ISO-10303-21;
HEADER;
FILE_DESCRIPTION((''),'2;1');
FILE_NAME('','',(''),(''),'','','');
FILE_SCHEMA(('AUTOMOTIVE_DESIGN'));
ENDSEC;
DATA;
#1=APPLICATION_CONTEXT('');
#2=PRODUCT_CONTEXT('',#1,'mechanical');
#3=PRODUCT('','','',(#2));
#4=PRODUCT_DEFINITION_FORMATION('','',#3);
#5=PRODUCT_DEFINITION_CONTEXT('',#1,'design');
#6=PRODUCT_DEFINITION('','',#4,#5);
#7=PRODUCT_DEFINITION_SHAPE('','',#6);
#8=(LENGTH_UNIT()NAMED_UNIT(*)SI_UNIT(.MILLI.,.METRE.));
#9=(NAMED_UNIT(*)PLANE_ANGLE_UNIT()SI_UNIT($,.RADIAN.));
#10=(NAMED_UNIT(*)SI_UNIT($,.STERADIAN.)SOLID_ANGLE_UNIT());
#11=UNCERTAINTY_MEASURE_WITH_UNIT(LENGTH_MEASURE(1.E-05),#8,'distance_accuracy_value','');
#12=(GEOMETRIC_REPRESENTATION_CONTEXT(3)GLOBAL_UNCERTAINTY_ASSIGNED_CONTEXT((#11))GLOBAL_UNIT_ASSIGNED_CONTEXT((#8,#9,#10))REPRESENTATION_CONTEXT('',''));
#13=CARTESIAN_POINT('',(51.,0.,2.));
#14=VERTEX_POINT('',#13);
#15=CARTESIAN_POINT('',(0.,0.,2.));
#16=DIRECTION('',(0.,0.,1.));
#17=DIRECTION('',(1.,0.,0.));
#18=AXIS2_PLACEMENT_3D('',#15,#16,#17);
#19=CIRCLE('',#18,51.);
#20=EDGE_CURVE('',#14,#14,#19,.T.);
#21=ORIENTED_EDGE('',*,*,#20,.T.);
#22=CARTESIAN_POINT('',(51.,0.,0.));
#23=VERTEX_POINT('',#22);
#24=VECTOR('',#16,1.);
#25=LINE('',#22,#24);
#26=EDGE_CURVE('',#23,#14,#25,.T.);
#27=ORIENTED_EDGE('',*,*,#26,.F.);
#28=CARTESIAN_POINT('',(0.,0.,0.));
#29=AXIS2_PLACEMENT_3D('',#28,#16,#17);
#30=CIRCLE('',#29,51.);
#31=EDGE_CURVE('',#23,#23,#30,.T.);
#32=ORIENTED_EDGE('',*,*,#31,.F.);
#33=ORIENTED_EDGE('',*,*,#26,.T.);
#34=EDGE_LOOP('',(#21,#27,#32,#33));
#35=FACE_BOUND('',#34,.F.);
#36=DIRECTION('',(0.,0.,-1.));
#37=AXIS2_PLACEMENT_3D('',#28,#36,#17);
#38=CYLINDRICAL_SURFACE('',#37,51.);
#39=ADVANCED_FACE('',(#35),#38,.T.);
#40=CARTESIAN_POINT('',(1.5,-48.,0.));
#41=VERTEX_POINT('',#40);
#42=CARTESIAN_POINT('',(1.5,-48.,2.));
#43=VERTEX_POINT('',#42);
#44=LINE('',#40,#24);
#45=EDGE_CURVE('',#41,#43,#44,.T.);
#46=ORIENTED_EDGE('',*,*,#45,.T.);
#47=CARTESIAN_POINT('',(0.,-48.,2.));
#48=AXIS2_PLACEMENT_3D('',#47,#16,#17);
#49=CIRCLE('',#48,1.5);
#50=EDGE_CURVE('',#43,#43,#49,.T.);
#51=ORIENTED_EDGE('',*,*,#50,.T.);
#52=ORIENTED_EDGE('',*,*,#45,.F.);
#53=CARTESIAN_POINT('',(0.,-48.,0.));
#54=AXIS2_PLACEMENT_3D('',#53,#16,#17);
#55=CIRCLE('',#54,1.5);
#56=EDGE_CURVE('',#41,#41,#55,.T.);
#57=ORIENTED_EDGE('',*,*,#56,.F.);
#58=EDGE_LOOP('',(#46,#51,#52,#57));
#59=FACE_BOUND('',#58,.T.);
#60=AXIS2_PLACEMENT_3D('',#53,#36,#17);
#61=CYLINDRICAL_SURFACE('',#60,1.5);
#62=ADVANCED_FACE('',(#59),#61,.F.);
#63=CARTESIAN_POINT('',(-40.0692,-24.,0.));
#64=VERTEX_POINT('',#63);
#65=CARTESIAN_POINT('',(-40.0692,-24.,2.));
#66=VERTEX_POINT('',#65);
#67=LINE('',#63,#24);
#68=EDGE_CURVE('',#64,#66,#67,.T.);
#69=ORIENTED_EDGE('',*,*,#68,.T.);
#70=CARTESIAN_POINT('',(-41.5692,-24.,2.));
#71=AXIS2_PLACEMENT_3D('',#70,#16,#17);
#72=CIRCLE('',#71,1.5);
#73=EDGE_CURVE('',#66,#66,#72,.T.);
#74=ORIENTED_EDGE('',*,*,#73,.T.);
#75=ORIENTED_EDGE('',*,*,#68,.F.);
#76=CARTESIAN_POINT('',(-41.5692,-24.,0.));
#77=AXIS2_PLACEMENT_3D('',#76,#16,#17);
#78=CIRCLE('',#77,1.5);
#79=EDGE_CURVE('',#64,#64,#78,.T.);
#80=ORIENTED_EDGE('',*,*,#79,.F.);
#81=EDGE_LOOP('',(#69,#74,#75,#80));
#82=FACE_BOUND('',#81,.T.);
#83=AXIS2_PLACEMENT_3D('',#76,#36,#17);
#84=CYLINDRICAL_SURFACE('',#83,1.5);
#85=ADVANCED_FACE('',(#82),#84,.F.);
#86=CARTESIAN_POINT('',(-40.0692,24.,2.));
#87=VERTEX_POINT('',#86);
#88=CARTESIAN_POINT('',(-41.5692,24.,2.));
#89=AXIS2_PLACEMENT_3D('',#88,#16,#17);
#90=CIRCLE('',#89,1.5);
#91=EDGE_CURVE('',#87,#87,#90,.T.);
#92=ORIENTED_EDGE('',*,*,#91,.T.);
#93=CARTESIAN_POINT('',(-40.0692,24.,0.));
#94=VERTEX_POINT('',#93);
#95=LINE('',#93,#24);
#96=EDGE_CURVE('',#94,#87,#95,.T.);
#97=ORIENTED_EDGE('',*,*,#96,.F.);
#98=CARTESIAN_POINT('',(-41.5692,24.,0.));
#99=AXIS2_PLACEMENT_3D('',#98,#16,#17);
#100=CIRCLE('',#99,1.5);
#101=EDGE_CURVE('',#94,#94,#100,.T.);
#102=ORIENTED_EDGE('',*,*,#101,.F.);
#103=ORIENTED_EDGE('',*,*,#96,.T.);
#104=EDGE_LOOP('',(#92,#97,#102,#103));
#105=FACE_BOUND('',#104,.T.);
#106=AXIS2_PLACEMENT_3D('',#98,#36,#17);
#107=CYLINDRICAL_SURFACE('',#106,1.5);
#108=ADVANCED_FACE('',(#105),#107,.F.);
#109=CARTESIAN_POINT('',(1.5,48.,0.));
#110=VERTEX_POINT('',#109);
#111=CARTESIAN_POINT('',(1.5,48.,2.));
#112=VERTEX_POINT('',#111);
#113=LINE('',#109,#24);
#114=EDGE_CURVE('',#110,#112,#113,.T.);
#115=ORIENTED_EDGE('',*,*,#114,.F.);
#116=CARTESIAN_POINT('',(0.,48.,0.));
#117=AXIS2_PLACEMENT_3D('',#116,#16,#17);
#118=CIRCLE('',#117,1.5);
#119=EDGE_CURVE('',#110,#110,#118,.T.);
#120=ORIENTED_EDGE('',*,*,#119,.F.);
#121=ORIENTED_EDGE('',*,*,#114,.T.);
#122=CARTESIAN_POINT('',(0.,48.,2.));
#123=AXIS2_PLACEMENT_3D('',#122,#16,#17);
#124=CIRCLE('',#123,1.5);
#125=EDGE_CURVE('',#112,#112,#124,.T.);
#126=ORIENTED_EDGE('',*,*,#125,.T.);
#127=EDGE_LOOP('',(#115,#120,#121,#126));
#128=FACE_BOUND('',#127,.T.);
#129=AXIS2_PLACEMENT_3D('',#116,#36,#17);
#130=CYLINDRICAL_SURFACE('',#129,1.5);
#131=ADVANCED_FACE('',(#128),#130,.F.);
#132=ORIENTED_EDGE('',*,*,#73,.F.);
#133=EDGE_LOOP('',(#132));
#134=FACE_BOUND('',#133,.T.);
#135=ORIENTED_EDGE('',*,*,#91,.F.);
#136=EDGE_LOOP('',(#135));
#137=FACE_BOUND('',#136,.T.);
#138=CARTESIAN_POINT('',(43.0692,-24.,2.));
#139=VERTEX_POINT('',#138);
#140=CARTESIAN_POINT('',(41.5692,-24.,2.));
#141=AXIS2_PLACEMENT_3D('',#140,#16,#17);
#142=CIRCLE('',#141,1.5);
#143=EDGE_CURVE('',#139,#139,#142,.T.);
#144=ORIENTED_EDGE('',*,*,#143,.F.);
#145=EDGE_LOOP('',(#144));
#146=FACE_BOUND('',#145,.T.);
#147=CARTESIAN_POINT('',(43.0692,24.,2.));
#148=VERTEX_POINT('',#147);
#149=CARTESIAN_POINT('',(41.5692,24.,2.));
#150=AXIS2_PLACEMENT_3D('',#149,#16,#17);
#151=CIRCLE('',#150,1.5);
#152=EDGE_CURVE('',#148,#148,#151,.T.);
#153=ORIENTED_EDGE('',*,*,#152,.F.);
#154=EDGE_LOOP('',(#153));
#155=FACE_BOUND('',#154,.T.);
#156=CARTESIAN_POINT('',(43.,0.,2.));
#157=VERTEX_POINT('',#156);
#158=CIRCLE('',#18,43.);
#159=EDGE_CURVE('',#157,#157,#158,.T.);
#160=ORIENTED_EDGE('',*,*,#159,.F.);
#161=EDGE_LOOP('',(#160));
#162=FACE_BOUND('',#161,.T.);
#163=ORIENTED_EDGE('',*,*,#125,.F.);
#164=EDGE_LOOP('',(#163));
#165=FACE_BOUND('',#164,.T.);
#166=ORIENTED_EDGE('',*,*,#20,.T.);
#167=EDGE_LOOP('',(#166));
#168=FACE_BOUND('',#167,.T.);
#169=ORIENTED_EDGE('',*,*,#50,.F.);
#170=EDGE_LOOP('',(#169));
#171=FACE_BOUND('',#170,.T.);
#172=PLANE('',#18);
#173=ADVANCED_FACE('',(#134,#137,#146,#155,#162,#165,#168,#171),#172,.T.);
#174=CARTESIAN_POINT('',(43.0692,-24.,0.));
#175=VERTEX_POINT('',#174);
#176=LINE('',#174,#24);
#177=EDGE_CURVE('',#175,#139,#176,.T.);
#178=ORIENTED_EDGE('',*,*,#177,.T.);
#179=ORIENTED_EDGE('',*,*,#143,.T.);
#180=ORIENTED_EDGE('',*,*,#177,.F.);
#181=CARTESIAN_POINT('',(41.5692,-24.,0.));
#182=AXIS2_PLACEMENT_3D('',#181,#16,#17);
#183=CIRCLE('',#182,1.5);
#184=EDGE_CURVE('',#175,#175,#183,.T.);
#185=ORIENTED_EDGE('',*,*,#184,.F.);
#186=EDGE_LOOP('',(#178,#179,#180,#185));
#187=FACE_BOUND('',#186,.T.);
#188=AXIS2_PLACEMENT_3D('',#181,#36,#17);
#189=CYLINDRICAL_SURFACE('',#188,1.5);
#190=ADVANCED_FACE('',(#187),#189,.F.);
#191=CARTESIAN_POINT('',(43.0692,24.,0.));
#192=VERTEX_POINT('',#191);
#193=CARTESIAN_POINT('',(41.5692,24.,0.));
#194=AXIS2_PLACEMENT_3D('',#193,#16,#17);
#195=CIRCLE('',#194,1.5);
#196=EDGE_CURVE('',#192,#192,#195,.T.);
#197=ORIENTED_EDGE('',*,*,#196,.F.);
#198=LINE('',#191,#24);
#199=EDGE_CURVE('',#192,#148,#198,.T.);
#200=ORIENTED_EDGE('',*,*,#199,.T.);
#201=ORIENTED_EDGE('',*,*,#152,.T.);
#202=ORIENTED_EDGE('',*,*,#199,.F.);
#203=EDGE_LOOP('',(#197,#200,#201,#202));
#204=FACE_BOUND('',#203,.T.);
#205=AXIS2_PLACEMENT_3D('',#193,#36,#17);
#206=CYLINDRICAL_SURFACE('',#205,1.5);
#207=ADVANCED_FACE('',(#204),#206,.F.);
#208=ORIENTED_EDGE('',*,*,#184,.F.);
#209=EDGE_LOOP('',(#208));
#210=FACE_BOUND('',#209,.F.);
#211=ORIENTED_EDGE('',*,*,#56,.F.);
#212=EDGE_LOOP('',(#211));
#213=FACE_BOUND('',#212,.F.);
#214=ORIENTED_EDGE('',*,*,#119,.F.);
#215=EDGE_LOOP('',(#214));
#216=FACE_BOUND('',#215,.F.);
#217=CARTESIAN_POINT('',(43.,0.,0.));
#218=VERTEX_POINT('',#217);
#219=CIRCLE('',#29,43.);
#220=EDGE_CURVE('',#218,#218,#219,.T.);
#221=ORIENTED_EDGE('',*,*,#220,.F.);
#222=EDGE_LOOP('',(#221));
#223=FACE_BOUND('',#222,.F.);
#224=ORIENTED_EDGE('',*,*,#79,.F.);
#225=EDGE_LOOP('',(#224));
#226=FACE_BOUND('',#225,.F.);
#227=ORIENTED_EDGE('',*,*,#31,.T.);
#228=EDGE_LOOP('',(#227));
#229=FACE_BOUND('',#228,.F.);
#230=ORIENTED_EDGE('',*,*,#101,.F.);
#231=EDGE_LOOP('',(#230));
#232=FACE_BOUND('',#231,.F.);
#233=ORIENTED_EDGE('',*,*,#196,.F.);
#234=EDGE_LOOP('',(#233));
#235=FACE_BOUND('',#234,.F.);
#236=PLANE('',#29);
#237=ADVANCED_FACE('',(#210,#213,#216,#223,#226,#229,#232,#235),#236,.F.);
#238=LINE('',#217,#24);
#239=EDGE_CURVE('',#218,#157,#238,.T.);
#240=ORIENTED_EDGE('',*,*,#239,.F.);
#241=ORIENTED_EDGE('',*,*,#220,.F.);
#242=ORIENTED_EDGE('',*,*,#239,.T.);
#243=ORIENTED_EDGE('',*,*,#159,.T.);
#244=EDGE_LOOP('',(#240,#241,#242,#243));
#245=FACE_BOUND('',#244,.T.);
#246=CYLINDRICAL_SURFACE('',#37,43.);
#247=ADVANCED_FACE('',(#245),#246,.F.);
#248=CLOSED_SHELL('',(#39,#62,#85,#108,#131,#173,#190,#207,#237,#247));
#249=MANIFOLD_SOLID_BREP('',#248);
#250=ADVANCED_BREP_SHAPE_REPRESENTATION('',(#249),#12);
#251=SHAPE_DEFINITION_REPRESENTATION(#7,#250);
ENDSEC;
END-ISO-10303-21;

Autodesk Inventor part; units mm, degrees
ref_plane "YZ Plane" through (0, 0, 0) normal (1, 0, 0) x (0, 1, 0)
ref_plane "XZ Plane" through (0, 0, 0) normal (0, 1, 0) x (-1, 0, 0)
ref_plane "XY Plane" through (0, 0, 0) normal (0, 0, 1) x (1, 0, 0)
sketch "Skizze1" plane through (0, 0, 0) normal (0, 0, 1) x (1, 0, 0)
  circle A0 centre (0, 0) radius 43
  circle A1 centre (0, 0) radius 51
  circle A2 centre (0, 48) radius 1.5
  circle A3 centre (-41.5692, 24) radius 1.5
  circle A4 centre (-41.5692, -24) radius 1.5
  circle A5 centre (0, -48) radius 1.5
  circle A6 centre (41.5692, -24) radius 1.5
  circle A7 centre (41.5692, 24) radius 1.5
  dimension "d0" = 86
  dimension "d1" = 102
  dimension "d2" = 48
  dimension "d3" = 3
  dimension "d6" = 360
extrude "Extrusion1" add sketch "Skizze1" along normal blind 2
properties part number "Dichtring"
